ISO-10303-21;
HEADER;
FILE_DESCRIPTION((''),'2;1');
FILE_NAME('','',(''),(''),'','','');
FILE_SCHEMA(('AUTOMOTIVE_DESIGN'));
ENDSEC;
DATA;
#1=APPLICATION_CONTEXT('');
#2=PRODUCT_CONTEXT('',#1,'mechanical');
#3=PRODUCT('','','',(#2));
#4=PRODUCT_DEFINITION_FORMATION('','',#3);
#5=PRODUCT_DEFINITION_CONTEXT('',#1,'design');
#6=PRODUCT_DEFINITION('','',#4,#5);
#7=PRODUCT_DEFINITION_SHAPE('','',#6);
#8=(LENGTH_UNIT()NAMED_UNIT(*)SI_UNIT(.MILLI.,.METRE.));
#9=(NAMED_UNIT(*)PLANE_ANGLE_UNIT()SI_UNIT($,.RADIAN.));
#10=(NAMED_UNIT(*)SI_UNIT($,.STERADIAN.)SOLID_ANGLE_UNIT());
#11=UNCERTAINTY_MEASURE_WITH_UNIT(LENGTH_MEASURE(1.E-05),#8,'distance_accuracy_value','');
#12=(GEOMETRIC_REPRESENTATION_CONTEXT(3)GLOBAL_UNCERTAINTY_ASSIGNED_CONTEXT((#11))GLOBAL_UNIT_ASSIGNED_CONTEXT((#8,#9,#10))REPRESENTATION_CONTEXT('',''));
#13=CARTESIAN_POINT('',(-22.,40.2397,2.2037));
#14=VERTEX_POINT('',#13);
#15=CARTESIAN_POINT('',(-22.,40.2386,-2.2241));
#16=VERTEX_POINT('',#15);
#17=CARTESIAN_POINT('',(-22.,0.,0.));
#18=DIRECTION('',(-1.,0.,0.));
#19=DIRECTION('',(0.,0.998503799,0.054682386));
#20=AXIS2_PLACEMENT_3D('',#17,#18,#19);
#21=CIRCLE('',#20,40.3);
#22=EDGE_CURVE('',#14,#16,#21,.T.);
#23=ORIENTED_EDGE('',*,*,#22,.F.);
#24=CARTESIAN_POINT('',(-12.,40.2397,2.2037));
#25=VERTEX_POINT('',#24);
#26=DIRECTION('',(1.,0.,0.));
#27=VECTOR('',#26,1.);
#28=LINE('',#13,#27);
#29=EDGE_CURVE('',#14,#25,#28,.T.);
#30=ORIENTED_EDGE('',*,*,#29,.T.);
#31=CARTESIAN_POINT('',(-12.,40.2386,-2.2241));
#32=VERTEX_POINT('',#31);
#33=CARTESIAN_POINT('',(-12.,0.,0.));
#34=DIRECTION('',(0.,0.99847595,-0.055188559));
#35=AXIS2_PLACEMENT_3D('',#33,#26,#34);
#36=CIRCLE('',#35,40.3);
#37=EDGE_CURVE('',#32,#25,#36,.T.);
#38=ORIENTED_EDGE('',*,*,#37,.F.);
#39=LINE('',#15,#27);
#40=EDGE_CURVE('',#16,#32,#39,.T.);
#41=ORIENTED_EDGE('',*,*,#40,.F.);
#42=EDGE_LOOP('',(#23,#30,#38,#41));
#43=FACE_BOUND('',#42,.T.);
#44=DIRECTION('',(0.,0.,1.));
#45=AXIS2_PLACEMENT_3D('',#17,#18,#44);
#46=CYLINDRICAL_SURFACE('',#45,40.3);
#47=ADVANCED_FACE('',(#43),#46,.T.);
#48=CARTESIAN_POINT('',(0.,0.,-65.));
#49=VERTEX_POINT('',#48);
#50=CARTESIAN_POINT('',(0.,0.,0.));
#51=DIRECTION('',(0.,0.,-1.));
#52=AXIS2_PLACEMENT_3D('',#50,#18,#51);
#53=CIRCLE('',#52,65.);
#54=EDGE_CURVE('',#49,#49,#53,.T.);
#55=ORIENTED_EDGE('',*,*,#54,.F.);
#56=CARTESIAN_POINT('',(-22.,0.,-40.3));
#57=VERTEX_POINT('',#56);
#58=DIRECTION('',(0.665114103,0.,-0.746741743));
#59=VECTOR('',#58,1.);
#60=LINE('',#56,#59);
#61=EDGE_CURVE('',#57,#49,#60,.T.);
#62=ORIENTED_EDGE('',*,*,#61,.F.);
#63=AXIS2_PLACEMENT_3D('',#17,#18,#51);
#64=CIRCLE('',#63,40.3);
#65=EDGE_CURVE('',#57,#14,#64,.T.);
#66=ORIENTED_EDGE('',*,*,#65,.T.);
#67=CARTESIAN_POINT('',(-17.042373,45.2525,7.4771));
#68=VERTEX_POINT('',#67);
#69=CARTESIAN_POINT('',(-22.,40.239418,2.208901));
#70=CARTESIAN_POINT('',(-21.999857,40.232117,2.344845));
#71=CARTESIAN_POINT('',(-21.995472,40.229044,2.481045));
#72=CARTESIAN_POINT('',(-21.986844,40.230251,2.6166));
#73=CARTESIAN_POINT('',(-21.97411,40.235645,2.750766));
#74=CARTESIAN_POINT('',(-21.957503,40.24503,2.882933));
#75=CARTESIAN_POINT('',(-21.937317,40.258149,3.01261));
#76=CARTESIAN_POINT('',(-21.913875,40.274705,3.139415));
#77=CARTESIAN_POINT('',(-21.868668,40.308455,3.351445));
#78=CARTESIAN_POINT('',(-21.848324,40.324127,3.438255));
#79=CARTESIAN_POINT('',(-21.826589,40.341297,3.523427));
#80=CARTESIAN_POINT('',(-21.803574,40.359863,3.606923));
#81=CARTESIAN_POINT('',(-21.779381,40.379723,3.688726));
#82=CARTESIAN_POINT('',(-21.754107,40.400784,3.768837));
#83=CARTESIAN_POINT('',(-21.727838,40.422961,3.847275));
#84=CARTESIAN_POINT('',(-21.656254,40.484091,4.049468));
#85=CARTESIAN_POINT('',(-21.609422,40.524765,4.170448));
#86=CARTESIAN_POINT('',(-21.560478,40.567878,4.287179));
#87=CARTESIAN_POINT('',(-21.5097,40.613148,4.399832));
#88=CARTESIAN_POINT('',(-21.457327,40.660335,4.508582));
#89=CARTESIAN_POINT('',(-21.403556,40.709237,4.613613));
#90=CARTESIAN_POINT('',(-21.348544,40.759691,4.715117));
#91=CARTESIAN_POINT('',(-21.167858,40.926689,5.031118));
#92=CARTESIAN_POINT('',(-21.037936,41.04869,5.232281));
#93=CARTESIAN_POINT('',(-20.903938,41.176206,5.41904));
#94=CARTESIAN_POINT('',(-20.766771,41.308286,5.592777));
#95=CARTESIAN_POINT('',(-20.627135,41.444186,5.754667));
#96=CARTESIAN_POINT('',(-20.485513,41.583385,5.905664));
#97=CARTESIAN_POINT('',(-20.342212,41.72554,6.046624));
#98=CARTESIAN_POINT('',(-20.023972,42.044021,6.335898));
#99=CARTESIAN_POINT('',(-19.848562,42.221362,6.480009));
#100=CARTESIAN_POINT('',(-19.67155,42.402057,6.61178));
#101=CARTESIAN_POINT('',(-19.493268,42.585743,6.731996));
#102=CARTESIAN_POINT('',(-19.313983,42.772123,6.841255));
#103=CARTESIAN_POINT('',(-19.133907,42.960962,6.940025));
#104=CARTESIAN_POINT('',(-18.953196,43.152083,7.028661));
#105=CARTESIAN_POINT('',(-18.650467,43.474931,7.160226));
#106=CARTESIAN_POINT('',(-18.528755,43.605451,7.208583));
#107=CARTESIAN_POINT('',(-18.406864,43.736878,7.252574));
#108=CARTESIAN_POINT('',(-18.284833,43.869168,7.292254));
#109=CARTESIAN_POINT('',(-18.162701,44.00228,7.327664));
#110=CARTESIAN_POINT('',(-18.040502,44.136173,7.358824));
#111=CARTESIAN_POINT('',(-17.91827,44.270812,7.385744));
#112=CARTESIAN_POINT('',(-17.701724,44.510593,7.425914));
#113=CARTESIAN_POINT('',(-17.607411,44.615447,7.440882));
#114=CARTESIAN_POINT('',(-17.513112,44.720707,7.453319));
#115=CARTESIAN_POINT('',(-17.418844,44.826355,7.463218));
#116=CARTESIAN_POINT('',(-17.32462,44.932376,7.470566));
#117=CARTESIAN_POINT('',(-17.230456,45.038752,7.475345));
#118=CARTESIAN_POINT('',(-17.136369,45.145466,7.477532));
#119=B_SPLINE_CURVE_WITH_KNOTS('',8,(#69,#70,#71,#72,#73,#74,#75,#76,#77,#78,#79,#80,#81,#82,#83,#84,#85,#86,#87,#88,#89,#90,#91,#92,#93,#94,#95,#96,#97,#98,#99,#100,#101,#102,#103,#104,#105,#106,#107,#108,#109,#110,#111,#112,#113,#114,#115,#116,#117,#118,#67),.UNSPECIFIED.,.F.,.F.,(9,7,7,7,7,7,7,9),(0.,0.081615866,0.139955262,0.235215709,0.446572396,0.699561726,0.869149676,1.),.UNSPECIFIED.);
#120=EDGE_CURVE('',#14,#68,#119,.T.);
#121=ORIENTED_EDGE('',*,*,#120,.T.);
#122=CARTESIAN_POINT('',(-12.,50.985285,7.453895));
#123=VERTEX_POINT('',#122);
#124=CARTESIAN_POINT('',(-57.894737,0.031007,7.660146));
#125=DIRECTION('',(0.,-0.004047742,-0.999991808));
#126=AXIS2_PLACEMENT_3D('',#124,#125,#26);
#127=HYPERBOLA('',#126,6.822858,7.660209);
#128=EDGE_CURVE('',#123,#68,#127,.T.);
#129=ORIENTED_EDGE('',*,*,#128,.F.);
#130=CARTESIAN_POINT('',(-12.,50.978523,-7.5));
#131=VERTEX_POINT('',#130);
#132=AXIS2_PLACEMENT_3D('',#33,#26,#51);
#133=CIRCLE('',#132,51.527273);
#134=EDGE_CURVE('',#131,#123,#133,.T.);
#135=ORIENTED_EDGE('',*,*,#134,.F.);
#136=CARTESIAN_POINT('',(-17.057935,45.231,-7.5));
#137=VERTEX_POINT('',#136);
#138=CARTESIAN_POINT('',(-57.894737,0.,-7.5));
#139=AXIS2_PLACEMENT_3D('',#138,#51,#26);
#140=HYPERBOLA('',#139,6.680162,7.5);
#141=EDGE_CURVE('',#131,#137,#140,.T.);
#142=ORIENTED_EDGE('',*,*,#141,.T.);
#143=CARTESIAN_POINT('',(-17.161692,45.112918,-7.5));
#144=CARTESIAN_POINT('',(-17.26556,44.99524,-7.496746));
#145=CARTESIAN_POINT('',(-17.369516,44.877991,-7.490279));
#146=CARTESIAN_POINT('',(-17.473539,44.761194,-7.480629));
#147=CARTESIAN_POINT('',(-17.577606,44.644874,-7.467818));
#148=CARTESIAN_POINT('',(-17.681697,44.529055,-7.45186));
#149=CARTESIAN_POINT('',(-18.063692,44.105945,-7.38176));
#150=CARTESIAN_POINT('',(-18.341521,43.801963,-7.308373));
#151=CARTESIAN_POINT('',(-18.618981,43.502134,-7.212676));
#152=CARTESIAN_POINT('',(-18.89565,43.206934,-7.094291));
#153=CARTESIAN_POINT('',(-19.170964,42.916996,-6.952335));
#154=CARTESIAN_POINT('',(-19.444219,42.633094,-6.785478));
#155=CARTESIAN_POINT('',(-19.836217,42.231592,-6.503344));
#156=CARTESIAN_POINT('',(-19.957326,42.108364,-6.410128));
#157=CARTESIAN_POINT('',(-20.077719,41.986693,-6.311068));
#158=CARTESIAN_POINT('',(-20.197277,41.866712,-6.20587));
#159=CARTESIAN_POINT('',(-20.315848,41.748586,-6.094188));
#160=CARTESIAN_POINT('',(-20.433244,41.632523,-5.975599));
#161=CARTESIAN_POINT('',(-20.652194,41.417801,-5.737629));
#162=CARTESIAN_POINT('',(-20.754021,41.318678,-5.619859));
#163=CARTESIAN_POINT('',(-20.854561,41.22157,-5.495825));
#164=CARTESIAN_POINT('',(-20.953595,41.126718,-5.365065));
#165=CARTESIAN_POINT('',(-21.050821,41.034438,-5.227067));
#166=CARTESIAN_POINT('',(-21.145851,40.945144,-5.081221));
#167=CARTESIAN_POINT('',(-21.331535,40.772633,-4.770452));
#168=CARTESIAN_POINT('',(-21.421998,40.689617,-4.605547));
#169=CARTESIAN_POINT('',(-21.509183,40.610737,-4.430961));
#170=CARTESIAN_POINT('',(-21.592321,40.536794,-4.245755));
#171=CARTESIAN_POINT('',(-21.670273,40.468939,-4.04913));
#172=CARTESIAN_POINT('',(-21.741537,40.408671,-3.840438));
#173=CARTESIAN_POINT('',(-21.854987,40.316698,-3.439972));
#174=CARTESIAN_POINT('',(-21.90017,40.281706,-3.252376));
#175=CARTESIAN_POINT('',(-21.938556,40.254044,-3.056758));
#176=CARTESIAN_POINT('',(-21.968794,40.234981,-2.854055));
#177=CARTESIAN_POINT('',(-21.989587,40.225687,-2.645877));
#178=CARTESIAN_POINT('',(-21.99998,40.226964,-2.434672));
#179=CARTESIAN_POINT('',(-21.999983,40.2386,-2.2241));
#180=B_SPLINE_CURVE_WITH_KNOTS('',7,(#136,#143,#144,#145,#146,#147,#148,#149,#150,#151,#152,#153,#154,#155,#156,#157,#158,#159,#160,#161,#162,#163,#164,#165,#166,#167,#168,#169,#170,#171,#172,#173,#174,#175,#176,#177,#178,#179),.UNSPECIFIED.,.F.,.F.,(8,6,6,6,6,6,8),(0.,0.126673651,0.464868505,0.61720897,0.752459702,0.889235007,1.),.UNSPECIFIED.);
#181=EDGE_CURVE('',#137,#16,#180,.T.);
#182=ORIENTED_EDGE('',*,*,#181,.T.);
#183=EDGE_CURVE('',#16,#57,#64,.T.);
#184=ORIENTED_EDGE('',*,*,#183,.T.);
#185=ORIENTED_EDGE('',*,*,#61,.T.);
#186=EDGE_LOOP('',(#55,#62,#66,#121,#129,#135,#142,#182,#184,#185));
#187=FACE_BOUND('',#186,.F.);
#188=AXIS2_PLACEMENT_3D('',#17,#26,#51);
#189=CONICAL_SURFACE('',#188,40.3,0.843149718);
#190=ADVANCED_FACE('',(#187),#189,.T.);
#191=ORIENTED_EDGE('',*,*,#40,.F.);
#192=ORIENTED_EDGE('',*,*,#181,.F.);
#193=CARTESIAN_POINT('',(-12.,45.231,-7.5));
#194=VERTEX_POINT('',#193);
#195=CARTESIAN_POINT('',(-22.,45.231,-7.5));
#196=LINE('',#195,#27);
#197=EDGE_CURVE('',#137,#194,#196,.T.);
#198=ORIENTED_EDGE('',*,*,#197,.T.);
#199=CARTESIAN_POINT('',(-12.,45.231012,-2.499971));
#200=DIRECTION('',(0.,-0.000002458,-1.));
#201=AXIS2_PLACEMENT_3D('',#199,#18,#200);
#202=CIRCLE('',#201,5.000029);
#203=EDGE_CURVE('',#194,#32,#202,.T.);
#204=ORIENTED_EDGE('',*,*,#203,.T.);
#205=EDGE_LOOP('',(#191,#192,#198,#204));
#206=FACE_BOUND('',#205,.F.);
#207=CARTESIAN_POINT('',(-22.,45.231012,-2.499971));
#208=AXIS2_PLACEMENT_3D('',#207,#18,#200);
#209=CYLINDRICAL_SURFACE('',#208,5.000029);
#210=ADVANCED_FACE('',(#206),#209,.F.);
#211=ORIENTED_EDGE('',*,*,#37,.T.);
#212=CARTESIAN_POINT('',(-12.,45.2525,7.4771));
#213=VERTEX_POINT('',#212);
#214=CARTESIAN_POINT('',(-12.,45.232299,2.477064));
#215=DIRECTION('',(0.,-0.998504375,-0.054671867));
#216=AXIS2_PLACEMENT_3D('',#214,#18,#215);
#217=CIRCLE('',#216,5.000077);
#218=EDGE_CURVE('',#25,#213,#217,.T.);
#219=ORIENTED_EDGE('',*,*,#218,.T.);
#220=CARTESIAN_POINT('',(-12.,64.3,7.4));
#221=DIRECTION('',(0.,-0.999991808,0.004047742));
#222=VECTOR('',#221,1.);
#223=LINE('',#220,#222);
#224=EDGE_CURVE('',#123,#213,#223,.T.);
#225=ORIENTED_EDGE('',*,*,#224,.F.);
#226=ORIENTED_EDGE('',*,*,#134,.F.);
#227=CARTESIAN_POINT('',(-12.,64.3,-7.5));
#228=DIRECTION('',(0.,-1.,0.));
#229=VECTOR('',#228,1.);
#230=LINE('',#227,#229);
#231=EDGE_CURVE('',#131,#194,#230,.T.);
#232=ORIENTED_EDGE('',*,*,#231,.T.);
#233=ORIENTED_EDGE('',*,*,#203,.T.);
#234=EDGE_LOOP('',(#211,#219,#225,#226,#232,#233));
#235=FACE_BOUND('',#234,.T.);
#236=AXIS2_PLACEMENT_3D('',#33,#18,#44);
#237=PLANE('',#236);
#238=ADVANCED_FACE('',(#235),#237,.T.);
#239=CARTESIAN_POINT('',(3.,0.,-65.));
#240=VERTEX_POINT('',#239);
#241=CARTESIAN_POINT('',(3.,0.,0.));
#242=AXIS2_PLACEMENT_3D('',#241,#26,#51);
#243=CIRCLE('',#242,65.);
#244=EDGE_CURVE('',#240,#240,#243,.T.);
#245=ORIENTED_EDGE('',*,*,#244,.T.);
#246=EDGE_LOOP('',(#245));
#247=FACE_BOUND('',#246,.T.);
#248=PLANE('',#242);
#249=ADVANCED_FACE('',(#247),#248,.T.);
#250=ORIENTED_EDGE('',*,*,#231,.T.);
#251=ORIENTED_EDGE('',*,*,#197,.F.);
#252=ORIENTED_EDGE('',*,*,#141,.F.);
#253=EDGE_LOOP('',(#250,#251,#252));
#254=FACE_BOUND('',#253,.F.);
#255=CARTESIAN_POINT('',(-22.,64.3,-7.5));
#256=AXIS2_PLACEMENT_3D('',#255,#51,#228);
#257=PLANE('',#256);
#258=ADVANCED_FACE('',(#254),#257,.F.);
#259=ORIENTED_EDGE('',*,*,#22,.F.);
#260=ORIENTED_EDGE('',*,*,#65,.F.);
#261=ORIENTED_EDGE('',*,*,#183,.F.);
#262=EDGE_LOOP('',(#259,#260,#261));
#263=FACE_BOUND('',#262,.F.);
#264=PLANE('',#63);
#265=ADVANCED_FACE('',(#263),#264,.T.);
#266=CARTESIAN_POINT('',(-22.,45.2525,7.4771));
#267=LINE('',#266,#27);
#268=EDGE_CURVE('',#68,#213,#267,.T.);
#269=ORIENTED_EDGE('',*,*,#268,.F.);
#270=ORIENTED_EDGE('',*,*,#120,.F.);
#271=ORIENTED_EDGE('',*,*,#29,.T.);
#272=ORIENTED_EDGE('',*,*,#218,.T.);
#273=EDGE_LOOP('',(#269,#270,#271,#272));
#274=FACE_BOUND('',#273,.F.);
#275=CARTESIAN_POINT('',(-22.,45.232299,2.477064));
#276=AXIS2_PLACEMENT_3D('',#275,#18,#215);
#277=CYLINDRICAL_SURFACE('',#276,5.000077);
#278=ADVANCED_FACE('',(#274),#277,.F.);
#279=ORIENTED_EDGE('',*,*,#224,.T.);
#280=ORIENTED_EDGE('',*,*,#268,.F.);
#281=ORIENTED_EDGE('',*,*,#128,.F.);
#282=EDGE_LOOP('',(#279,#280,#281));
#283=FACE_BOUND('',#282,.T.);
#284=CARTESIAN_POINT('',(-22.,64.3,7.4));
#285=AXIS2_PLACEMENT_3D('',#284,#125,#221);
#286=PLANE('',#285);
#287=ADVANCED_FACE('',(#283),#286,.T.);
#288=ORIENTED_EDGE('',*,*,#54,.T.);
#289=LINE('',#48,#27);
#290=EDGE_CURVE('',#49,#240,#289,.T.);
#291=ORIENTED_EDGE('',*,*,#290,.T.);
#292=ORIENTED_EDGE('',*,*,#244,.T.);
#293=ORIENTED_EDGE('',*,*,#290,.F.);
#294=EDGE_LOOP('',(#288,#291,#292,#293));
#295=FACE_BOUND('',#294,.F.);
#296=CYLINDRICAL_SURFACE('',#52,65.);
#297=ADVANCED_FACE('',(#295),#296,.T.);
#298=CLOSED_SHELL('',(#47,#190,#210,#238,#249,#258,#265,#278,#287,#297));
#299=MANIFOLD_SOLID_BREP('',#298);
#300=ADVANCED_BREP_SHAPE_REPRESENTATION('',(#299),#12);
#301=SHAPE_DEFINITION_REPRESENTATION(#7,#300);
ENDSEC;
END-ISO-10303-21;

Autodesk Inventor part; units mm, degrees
ref_plane "YZ Plane" through (0, 0, 0) normal (1, 0, 0) x (0, 1, 0)
ref_plane "XZ Plane" through (0, 0, 0) normal (0, 1, 0) x (-1, 0, 0)
ref_plane "XY Plane" through (0, 0, 0) normal (0, 0, 1) x (1, 0, 0)
sketch "Sketch2" plane through (0, 0, 0) normal (0, 1, 0) x (-1, 0, 0)
  line L0 (0, 0) -> (0, -65)
  line L1 (0, 0) -> (22, 0)
  line L2 (22, 0) -> (22, -40.3)
  line L3 (22, -40.3) -> (0, -65)
  dimension "d4" = 65
  dimension "d5" = 22
  dimension "d6" = 40.3
revolve "Revolution1" add sketch "Sketch2" angle 360 about axis through (0, 0, 0) along (-1, 0, 0)
sketch "Sketch3" plane through (-22, 0, 0) normal (-1, 0, 0) x (0, 0, 1)
  circle A0 centre (0, 0) radius 40.3 projected
  line L0 (0, 40.3) -> (0, 64.3)
  line L1 (0, 64.3) -> (-7.5, 64.3)
  line L2 (-7.5, 64.3) -> (-7.5, 45.231)
  line L3 (0, 64.3) -> (7.4, 64.3)
  line L4 (7.4, 64.3) -> (7.4771, 45.2525)
  arc A1 (2.2037, 40.2397) -> (-2.2241, 40.2386) centre (0, 0) ccw
  arc A2 (-7.5, 45.231) -> (-2.2241, 40.2386) centre (-2.5, 45.231) ccw
  arc A3 (2.2037, 40.2397) -> (7.4771, 45.2525) centre (2.4771, 45.2322) ccw
  point P0 (-7.5, 39.596)
  point P1 (7.5, 39.596)
  dimension "d11" = 24
  dimension "d12" = 7.5
  dimension "d13" = 7.4
  dimension "d17" = 5
extrude "Extrusion1" cut sketch "Sketch3" against normal blind 10 contours A0 L0 L3 L4 A3 | A2 L2 L1 L0 A0
sketch "Sketch4" plane through (-22, 0, 0) normal (-1, 0, 0) x (0, 0.0003, 1)
  point P0 (0, 0)
sketch "Sketch6" plane through (-12, 0, 0) normal (-1, 0, 0) x (0, 0, 1)
  point P0 (0, 0)
sketch "Sketch7" plane through (-22, 0, 0) normal (-1, 0, 0) x (0, 0.0003, 1)
  point P0 (0, 0)
sketch "Sketch8" plane through (0, 0, 0) normal (1, 0, 0) x (0, 0, -1)
  circle A0 centre (0, 0) radius 65
extrude "Extrusion2" add sketch "Sketch8" along normal blind 3
sketch "Sketch10" plane through (-22, 0, 0) normal (-1, 0, 0) x (0, 0.0003, 1)
  line L0 (0, 0) -> (-112.4723, 0)
  line L1 (-112.4723, 0) -> (-112.4723, -208.2132)
  line L2 (-112.4723, -208.2132) -> (0, -208.2132)
  line L3 (0, -208.2132) -> (0, 0)
properties part number "Handle Gearbox" material "PC/ABS Plastic"
